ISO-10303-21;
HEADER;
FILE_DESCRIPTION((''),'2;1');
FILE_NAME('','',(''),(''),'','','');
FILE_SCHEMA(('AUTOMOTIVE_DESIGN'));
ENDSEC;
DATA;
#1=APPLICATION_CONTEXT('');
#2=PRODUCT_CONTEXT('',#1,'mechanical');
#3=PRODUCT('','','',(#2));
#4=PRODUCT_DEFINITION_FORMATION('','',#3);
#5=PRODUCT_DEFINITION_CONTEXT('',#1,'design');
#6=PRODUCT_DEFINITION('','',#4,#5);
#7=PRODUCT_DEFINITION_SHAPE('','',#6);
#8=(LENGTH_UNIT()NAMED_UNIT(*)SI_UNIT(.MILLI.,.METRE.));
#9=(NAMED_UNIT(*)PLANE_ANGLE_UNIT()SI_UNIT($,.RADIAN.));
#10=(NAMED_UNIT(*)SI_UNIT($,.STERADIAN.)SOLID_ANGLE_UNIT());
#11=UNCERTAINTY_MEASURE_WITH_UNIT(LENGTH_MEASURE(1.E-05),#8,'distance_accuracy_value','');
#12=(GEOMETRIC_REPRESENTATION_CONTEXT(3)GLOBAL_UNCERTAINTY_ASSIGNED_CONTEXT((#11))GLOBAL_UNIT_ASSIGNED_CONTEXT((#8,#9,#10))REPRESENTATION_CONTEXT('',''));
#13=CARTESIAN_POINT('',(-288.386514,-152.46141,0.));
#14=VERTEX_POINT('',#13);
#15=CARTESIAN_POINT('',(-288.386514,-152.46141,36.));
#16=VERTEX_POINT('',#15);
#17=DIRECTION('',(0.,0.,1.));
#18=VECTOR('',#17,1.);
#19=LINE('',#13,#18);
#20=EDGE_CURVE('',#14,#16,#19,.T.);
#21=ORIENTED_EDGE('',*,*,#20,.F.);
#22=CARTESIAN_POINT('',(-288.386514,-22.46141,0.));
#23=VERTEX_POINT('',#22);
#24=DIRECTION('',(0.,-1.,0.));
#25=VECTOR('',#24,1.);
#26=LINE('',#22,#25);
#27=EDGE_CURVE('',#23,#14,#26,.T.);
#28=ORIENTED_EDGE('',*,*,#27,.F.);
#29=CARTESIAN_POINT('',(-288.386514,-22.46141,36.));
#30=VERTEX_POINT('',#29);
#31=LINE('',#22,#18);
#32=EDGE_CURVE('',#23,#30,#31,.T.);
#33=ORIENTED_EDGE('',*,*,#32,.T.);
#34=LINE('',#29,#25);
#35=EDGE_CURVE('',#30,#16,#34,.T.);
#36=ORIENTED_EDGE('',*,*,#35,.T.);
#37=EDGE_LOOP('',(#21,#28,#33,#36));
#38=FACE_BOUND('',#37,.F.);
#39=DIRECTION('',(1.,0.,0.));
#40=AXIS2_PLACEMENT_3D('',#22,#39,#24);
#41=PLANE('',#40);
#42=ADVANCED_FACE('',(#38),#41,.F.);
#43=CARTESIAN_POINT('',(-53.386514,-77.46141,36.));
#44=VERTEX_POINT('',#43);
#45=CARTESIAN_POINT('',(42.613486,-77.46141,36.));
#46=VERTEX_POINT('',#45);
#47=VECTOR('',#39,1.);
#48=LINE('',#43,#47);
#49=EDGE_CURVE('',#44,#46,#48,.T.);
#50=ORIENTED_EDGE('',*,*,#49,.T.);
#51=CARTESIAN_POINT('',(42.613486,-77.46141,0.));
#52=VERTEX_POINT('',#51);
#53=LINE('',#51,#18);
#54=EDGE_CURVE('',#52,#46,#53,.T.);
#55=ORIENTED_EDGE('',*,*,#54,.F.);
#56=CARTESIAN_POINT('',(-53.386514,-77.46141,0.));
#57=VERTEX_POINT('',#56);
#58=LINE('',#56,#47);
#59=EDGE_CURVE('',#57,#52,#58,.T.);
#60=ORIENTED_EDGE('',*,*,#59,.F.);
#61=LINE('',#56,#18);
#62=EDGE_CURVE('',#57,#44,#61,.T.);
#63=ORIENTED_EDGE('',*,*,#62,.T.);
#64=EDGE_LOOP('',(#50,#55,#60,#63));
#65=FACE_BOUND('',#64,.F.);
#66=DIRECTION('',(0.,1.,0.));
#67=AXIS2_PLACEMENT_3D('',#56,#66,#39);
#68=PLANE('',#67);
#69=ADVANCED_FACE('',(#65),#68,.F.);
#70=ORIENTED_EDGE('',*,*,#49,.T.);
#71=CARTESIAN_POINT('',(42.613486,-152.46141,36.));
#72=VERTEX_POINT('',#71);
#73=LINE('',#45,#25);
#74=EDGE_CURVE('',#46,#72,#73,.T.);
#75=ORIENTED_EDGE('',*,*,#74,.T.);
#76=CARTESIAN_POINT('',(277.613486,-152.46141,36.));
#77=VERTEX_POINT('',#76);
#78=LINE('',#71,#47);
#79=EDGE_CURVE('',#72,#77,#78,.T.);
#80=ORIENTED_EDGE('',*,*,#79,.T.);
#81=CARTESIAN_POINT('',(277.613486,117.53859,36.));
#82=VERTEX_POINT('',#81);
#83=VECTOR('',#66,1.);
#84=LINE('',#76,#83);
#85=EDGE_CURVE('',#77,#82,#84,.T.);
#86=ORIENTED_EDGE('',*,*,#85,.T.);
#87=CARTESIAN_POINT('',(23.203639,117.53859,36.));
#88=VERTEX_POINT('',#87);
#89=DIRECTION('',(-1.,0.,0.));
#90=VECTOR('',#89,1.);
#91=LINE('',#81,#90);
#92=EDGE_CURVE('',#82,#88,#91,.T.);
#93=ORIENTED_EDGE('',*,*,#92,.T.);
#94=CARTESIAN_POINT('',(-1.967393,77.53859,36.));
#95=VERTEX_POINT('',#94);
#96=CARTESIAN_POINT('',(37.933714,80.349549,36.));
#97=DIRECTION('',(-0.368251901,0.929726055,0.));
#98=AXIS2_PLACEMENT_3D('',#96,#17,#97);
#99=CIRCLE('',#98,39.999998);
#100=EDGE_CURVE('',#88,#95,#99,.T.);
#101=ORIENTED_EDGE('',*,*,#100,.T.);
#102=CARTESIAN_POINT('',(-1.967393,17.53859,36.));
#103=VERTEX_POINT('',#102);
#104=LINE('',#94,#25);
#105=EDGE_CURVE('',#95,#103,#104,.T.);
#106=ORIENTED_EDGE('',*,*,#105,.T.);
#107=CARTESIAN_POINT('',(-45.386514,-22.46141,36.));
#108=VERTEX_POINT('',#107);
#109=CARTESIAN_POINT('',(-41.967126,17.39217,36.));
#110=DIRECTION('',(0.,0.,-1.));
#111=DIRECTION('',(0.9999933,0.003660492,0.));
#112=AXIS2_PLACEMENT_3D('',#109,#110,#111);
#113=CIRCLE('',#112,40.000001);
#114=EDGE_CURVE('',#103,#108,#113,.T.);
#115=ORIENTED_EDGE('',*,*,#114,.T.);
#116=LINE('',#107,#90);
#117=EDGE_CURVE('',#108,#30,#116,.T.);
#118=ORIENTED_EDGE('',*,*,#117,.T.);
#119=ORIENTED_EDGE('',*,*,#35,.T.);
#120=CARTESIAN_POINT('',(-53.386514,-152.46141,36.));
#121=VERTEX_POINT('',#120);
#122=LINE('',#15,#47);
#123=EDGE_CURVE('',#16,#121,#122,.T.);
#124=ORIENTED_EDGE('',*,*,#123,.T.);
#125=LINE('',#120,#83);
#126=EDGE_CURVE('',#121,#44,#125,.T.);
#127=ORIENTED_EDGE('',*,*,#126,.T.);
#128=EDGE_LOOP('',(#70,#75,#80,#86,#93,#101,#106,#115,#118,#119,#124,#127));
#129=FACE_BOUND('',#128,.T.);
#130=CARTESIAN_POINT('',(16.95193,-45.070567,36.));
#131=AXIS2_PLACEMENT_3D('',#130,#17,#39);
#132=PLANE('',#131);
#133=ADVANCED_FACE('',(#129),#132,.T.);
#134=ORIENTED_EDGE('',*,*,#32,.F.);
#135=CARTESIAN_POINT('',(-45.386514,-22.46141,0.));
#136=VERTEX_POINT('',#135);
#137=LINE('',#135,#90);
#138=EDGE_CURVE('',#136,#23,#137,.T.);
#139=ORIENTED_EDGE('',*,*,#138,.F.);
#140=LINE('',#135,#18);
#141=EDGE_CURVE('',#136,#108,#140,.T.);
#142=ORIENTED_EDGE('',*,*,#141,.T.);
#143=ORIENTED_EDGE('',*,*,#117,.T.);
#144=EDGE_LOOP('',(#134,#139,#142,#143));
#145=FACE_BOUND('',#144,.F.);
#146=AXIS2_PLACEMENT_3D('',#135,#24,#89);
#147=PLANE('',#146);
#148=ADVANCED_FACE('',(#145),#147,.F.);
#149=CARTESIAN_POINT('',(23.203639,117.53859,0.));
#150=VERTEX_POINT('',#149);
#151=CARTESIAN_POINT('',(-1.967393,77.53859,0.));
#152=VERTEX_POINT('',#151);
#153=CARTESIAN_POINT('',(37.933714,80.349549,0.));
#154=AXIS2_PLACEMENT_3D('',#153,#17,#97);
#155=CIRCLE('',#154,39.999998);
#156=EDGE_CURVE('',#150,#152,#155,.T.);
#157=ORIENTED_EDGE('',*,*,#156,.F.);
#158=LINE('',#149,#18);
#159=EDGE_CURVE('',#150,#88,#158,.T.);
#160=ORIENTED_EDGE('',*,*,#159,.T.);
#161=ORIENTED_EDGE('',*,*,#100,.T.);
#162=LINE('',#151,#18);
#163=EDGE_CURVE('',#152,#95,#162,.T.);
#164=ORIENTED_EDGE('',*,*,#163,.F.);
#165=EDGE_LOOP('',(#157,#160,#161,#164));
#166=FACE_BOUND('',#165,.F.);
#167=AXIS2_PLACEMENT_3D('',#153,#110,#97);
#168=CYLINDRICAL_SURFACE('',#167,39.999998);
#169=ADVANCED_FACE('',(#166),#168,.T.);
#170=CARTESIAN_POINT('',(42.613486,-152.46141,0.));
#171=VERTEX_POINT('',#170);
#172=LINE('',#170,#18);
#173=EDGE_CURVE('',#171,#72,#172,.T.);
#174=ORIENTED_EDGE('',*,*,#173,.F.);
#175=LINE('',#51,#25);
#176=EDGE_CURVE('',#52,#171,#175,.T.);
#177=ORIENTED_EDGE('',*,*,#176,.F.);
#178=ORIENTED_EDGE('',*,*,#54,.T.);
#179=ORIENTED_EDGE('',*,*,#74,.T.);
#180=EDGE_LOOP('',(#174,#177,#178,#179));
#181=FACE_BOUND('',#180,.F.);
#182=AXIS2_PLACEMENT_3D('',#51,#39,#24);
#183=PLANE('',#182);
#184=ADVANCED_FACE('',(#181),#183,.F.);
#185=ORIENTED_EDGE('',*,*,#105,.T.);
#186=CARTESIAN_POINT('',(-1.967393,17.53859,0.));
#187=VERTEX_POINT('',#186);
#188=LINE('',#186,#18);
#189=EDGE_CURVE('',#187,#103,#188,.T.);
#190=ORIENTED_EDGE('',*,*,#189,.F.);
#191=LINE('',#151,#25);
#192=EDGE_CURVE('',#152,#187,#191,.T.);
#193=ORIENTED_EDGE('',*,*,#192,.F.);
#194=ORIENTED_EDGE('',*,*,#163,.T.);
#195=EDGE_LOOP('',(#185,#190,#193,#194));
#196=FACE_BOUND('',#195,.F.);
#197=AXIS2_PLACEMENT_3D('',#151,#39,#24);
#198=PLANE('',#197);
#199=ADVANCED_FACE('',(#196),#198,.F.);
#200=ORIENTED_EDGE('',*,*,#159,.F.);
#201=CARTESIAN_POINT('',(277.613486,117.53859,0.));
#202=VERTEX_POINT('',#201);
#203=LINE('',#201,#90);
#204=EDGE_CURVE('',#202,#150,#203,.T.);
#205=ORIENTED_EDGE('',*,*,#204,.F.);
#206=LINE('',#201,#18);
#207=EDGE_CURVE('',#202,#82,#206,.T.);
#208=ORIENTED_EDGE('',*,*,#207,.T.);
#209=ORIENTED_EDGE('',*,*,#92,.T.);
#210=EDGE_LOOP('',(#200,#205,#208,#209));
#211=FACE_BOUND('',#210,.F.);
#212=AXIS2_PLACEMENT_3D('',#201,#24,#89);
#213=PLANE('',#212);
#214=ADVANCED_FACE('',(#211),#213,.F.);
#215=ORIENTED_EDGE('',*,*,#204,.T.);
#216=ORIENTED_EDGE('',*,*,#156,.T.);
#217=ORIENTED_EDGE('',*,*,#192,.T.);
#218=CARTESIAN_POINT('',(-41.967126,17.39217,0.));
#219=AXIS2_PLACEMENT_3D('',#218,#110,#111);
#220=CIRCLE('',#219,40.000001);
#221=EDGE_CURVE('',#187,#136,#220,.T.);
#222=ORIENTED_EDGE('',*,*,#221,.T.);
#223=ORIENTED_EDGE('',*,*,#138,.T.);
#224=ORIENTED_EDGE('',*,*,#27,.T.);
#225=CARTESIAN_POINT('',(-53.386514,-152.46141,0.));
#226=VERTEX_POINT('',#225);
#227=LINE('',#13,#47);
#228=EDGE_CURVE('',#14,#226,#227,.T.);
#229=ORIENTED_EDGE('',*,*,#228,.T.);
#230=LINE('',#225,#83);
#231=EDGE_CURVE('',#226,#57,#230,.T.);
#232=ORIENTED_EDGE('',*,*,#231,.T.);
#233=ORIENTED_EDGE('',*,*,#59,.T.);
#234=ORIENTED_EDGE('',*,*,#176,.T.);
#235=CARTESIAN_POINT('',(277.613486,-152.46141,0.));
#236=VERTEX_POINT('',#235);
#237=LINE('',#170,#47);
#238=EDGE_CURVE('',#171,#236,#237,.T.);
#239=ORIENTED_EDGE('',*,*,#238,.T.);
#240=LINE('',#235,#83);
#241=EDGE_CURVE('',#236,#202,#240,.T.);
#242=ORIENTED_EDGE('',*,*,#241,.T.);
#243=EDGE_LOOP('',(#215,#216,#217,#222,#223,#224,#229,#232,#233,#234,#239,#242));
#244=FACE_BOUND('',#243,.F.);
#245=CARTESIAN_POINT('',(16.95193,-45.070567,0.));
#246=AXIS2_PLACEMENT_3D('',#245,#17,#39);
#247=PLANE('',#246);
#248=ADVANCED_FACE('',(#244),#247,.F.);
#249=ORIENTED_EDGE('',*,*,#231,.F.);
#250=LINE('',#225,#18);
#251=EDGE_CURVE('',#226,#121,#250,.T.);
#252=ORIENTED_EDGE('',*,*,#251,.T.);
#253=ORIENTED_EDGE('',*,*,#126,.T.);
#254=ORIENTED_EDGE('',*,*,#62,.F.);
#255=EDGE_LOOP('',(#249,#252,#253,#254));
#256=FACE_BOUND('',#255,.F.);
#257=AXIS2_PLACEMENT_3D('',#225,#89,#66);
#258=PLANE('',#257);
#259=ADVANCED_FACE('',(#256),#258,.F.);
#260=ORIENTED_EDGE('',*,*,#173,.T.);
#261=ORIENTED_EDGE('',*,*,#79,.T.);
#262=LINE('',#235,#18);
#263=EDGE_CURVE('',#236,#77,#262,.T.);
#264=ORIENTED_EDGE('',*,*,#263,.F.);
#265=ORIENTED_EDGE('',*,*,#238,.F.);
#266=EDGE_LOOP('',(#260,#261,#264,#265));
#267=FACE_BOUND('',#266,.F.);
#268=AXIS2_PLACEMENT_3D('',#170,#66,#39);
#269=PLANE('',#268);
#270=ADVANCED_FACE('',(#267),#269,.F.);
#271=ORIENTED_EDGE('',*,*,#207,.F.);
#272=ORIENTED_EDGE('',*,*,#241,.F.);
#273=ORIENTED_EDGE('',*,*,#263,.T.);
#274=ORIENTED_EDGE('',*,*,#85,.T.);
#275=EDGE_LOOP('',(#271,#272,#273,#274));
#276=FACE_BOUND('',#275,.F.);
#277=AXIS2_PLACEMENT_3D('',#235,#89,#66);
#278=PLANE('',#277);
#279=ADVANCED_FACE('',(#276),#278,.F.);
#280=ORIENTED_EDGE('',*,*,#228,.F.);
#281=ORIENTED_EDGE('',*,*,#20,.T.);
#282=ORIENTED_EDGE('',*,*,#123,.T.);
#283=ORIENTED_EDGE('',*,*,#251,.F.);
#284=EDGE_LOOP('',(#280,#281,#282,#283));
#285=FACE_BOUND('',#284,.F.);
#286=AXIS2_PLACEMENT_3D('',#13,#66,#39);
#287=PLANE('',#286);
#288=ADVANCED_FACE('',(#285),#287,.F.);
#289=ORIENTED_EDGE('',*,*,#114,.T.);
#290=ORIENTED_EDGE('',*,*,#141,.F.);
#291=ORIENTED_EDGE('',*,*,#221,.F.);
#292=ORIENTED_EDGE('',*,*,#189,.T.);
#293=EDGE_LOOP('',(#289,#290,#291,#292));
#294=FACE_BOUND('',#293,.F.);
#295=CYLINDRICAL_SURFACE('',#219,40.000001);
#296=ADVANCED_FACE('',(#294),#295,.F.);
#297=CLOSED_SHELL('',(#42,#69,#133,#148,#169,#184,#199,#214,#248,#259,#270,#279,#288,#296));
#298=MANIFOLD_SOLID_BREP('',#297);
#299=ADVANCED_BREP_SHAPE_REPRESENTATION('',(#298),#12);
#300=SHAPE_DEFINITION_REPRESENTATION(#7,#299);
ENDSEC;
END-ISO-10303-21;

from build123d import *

# Parameters (mm, degrees)
F1_DEPTH = 36


with BuildPart() as f1:
    # F0 (on Top) → F1 (new body)
    with BuildSketch(Plane.XY):
        with BuildLine():
            Line((-288.386514, -22.46141), (-288.386514, -152.46141))
            Line((-288.386514, -152.46141), (-53.386514, -152.46141))
            Line((-53.386514, -152.46141), (-53.386514, -77.46141))
            Line((-53.386514, -77.46141), (42.613486, -77.46141))
            Line((42.613486, -77.46141), (42.613486, -152.46141))
            Line((42.613486, -152.46141), (277.613486, -152.46141))
            Line((277.613486, -152.46141), (277.613486, 117.53859))
            Line((277.613486, 117.53859), (23.203639, 117.53859))
            ThreePointArc((23.203639, 117.53859), (4.079002, 101.6535), (-1.967393, 77.53859))
            Line((-1.967393, 77.53859), (-1.967393, 17.53859))
            ThreePointArc((-1.967393, 17.53859), (-14.864905, -12.026696), (-45.386514, -22.46141))
            Line((-45.386514, -22.46141), (-288.386514, -22.46141))
        make_face()
    extrude(amount=F1_DEPTH)


solid = f1.part
